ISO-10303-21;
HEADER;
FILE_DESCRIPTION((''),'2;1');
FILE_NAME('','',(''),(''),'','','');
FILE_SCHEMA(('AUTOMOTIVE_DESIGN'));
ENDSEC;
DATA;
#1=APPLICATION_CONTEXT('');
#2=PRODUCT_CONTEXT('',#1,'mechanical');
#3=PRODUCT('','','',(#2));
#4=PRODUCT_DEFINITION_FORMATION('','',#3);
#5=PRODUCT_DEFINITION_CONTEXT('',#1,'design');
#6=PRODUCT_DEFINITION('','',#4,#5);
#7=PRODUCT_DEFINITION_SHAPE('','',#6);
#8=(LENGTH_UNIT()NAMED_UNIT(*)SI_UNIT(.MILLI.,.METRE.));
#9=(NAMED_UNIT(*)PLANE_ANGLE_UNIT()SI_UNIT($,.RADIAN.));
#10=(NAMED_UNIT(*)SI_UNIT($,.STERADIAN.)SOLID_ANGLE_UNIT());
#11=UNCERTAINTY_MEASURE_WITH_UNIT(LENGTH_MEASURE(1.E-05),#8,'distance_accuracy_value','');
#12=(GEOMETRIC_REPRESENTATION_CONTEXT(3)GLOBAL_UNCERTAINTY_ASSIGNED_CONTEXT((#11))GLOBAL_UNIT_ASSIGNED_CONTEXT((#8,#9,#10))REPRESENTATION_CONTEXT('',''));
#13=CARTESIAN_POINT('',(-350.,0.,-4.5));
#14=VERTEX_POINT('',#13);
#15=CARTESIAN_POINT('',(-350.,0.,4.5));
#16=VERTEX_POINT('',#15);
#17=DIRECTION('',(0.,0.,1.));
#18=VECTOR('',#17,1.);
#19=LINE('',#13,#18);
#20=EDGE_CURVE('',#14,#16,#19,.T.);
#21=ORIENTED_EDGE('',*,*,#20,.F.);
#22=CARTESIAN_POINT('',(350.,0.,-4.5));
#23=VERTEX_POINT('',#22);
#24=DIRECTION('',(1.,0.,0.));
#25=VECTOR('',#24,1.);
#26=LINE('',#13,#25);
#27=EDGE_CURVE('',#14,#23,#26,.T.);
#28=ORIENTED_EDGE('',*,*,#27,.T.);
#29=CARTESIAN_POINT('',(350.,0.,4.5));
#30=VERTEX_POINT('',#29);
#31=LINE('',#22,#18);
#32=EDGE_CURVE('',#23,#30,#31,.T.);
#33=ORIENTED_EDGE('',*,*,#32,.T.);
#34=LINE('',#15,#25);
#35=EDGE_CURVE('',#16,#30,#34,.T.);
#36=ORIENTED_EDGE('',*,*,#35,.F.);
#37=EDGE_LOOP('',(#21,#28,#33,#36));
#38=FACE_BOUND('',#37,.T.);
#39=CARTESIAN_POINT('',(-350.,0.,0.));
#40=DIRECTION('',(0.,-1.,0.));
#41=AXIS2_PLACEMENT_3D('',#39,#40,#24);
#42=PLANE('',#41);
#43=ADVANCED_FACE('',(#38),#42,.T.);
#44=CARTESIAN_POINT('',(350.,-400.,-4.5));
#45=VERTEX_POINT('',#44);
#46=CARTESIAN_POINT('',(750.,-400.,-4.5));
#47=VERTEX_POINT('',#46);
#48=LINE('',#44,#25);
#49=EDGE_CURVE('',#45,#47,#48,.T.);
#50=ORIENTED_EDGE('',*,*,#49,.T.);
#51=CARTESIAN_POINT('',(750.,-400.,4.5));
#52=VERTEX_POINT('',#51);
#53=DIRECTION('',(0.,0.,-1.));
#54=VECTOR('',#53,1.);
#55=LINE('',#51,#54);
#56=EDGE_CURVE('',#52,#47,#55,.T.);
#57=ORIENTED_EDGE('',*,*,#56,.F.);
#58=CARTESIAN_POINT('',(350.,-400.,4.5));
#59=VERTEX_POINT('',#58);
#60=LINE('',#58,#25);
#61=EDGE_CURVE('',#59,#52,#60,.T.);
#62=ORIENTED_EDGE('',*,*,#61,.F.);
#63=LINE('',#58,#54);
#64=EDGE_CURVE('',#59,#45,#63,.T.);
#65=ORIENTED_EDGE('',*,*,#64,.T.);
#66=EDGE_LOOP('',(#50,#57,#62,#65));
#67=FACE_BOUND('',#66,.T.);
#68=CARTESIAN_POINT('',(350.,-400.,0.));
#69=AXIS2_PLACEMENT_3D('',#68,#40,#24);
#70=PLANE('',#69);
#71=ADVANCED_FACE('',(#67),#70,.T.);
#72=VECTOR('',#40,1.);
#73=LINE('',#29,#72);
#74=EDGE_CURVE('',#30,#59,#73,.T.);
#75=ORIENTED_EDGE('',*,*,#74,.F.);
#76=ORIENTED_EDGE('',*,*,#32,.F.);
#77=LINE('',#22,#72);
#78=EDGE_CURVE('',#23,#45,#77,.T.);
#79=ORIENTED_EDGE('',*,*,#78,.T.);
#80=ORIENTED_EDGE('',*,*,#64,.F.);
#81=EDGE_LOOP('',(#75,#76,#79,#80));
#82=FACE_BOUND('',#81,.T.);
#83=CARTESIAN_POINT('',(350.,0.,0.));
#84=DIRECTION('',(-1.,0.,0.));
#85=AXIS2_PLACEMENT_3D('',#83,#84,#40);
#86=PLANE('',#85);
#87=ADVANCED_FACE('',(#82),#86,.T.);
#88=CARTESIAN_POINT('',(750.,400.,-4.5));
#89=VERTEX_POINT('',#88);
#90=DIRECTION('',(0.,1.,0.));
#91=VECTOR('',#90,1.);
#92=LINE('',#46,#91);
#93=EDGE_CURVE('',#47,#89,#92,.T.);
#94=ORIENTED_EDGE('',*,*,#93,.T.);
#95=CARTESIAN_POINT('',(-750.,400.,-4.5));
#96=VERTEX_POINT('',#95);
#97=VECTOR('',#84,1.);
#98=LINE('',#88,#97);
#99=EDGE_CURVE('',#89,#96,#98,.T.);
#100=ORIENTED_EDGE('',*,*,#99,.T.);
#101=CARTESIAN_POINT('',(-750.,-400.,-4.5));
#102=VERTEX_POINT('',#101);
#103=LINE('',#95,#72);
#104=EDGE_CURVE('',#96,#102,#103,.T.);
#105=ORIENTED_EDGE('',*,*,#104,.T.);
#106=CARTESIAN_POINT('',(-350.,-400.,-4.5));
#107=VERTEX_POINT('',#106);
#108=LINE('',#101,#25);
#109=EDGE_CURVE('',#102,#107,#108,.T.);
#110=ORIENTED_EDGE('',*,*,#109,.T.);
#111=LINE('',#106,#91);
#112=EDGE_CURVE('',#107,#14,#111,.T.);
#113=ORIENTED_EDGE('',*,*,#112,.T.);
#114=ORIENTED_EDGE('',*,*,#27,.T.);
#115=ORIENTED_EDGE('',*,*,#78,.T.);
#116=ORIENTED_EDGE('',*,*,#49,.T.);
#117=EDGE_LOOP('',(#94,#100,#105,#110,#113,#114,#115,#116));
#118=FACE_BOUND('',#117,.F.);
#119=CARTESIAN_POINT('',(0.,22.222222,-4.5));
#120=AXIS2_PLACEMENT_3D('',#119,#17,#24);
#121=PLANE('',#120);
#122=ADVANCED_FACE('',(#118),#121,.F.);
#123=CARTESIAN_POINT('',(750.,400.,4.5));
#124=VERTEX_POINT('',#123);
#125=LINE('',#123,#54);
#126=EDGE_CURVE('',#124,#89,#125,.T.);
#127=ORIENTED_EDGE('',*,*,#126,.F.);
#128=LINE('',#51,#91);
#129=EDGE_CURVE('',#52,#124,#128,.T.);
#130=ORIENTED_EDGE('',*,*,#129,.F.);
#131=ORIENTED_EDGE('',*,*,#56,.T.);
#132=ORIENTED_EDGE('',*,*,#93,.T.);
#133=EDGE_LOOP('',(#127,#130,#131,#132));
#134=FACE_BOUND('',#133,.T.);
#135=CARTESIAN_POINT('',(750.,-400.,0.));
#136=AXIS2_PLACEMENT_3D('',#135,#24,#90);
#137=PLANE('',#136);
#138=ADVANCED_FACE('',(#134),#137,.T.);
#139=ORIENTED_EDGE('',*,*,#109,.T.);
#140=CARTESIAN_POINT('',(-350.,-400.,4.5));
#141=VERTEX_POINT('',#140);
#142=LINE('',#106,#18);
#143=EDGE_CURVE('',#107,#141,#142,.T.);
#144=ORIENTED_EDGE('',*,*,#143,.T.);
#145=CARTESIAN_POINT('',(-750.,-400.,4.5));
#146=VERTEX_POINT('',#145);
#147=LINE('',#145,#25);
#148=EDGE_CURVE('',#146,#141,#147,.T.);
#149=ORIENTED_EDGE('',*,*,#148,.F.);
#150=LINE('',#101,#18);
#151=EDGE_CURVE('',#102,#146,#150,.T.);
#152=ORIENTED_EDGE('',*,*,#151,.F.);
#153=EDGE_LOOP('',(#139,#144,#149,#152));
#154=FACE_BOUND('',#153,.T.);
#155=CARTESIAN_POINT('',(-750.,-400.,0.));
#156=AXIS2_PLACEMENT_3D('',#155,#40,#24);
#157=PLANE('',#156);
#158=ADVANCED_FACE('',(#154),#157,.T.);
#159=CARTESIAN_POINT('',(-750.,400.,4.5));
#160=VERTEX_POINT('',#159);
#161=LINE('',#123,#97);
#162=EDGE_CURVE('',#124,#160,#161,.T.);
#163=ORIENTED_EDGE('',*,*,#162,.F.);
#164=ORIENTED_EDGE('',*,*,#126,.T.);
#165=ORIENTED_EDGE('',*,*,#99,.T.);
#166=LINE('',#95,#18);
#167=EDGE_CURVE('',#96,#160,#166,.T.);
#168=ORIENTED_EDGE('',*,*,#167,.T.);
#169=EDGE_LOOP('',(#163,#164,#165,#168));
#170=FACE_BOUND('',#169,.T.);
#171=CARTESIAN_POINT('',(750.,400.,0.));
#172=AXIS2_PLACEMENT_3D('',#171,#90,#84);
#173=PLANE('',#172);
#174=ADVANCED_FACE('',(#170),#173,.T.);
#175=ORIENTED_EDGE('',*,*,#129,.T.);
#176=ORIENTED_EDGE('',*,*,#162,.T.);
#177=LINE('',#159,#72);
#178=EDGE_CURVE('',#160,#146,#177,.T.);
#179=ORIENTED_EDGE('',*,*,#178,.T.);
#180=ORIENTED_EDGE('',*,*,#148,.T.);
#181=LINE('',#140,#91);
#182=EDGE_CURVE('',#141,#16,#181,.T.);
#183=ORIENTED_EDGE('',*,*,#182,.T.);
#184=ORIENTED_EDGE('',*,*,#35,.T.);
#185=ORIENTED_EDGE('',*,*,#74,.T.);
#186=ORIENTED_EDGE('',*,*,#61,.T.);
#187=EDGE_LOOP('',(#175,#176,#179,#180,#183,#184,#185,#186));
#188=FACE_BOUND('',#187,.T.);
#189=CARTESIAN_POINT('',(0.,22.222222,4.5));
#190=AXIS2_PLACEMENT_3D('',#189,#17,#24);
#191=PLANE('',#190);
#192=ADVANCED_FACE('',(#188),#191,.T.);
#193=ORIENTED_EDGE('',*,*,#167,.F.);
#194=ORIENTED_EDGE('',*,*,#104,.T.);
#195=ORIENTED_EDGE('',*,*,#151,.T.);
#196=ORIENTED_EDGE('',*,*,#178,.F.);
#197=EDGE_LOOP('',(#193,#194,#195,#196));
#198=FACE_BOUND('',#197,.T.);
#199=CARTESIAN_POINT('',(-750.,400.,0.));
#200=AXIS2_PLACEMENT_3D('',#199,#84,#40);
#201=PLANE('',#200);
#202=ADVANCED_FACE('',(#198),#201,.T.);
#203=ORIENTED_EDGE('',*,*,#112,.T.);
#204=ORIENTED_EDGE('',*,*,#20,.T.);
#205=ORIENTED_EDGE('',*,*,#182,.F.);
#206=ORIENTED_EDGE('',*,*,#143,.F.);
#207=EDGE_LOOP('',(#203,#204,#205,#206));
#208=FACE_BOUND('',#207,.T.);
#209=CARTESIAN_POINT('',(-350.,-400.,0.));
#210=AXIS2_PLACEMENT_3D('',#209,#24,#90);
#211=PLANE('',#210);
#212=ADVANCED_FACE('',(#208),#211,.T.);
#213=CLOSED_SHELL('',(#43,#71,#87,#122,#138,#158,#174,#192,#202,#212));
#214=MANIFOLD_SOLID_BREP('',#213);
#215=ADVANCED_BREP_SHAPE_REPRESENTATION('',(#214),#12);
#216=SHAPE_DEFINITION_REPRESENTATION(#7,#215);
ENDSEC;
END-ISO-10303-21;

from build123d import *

# Parameters (mm, degrees)
F1_DEPTH = 4.5


with BuildPart() as f1:
    # F0 (on Top) → F1 (new body, symmetric)
    with BuildSketch(Plane.XY):
        Polygon((750, 400), (-750, 400), (-750, -400), (-350, -400), (-350, 0), (350, 0), (350, -400), (750, -400), align=None)
    extrude(amount=F1_DEPTH, both=True)


solid = f1.part
